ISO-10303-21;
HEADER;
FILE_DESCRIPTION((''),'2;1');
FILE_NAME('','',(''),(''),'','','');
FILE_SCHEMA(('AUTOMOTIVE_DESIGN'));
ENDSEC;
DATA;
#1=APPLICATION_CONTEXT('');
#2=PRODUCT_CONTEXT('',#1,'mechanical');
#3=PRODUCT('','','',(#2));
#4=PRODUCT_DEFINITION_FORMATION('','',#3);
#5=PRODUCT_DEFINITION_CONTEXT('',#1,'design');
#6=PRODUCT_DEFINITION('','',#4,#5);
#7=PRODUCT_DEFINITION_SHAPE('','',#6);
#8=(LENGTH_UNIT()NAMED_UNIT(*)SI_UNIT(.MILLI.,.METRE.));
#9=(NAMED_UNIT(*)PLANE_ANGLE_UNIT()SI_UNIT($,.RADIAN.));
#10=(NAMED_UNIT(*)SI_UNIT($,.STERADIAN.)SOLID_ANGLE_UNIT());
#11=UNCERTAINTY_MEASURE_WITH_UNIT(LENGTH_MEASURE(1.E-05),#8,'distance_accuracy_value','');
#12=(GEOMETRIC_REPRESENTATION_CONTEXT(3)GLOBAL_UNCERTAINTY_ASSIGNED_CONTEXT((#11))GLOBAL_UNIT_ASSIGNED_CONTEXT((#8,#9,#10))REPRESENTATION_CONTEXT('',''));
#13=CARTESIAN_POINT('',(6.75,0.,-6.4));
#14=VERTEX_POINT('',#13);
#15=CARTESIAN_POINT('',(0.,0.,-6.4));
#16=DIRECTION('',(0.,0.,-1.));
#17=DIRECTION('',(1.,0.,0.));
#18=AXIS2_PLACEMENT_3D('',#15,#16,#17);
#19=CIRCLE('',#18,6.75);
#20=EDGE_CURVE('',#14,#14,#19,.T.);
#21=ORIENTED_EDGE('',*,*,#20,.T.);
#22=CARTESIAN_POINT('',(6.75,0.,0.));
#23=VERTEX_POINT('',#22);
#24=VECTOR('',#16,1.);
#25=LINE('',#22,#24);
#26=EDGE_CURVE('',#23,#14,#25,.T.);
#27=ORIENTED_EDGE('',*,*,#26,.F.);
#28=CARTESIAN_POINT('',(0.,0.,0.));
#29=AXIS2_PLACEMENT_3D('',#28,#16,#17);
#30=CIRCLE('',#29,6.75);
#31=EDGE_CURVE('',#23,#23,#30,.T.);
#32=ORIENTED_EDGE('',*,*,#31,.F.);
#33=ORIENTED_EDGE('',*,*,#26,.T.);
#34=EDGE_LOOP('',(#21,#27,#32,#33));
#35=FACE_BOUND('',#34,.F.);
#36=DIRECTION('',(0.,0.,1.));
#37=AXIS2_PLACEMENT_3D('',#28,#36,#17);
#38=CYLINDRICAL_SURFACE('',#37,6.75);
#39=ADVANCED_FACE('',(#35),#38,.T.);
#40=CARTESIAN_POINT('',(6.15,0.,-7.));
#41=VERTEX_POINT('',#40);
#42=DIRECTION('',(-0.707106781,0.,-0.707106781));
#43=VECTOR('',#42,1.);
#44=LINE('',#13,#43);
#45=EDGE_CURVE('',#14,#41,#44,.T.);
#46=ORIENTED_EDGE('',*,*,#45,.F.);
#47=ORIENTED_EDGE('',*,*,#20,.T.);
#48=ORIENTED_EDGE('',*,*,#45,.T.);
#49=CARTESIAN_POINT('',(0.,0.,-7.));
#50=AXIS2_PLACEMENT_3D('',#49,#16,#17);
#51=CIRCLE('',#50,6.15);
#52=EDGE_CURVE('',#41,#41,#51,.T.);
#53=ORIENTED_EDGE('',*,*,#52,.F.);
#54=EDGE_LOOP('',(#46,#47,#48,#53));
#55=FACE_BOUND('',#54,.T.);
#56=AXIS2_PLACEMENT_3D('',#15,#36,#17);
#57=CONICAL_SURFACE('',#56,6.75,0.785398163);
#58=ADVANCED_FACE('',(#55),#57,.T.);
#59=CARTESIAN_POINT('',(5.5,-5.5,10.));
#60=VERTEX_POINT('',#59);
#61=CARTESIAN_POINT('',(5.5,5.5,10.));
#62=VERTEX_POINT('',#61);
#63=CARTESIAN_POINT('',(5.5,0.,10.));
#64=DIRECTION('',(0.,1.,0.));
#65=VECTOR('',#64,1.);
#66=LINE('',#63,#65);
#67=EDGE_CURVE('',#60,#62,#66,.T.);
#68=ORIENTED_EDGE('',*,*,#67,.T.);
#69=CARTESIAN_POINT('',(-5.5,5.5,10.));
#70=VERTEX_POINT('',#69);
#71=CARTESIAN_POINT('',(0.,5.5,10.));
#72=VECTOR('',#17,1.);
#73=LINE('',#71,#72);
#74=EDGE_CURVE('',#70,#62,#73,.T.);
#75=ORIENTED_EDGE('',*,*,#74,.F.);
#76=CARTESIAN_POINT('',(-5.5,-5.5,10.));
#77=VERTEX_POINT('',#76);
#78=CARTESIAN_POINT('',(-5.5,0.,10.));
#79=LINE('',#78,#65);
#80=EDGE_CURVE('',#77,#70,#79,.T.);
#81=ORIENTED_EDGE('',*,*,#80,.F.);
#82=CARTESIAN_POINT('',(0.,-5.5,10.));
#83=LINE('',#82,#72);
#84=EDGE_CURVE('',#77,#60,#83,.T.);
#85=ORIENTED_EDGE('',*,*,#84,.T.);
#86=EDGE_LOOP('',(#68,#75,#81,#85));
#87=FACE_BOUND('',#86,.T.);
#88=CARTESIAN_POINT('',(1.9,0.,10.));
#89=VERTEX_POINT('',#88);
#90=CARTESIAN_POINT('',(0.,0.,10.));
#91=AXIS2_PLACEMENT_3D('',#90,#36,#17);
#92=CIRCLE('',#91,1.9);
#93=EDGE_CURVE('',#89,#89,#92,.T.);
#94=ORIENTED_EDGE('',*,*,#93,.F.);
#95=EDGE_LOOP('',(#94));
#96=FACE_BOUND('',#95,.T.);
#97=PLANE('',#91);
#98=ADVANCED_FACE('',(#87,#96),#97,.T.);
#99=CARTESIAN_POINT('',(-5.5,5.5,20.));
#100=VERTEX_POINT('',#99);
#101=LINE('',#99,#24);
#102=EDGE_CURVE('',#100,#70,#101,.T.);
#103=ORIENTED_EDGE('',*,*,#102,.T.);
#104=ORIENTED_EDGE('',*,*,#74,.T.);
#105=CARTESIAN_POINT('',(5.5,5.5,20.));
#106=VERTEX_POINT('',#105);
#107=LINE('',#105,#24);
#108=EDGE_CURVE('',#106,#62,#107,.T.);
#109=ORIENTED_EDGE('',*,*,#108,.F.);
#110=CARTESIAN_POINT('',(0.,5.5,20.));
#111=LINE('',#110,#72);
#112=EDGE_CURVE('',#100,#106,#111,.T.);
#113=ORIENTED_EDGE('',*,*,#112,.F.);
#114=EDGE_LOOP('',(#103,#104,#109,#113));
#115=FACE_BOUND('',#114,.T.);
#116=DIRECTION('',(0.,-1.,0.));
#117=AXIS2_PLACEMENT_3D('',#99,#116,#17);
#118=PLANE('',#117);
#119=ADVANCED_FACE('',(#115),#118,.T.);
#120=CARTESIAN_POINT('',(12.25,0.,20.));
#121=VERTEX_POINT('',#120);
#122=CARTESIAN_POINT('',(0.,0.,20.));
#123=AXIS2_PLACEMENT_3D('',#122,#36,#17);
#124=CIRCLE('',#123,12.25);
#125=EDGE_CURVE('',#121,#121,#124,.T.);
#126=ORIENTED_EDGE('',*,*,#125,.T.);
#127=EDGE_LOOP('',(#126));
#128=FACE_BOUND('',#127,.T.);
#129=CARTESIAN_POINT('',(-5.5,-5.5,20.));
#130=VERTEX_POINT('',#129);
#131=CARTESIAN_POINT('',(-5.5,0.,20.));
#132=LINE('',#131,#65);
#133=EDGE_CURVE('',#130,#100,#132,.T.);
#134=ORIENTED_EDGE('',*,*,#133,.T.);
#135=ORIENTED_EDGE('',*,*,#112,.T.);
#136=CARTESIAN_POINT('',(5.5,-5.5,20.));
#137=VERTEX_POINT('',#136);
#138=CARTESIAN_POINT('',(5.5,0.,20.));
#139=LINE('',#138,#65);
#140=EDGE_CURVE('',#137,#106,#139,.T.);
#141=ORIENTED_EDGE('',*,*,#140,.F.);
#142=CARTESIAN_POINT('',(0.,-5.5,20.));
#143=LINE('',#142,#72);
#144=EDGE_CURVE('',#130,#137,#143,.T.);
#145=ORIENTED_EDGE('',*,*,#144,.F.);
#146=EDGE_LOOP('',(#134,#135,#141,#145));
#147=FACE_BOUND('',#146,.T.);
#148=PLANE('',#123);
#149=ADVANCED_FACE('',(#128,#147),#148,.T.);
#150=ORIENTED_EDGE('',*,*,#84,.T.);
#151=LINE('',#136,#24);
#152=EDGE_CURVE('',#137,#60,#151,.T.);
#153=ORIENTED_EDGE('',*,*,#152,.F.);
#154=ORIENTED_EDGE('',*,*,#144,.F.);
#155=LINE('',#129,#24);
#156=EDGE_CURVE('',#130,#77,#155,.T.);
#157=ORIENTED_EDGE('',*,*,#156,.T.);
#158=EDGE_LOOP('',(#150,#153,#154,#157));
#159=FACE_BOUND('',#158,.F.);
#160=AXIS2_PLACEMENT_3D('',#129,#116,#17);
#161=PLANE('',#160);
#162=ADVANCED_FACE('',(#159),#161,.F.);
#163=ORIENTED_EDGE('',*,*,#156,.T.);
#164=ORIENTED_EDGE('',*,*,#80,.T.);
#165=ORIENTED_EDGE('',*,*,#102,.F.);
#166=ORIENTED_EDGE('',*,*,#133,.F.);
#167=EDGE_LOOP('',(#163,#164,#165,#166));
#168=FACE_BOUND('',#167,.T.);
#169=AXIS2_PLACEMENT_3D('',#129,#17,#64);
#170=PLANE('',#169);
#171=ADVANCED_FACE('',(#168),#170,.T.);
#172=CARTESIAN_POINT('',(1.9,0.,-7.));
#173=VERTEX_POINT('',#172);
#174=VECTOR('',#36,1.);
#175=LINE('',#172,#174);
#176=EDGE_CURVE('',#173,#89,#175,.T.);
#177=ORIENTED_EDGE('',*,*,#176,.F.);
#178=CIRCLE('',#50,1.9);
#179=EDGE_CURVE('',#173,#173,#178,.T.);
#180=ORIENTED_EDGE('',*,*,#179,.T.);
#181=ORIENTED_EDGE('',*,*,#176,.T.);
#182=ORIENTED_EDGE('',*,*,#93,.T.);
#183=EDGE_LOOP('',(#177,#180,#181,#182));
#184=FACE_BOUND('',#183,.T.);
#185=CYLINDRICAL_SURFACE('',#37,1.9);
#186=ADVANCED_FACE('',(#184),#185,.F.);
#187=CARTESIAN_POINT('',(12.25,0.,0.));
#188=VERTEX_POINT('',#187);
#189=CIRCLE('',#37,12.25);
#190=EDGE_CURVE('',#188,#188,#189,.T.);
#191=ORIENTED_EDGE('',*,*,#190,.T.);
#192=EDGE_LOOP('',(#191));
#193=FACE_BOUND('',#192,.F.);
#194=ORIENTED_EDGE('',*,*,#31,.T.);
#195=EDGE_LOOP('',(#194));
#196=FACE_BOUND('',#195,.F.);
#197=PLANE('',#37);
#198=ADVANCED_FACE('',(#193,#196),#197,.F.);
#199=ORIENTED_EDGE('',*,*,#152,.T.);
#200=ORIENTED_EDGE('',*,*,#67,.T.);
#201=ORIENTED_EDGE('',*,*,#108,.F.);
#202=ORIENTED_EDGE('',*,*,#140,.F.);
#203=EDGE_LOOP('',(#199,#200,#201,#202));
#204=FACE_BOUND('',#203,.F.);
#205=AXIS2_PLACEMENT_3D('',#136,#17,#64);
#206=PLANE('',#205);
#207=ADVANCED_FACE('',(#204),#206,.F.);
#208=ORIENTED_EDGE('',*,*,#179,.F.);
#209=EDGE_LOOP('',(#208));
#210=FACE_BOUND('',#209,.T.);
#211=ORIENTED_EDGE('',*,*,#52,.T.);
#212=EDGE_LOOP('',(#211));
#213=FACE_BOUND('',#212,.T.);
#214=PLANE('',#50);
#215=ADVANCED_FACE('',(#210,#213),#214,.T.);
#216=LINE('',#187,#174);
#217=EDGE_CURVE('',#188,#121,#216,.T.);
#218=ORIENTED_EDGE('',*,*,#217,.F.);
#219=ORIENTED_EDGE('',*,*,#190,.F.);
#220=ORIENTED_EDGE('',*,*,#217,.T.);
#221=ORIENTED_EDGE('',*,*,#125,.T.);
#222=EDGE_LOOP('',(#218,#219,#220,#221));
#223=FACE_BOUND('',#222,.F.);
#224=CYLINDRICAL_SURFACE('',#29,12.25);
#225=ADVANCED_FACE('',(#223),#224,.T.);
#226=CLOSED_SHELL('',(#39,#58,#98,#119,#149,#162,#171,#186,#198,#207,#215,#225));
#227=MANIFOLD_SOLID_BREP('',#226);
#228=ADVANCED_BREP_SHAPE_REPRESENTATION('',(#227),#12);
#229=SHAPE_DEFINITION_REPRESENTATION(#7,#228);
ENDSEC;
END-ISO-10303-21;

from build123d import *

# Parameters (mm, degrees)
F0_R     = 12.25
F1_DEPTH = 20
F2_W     = 11
F2_H     = 11
F3_DEPTH = 10
F4_R     = 1.9
F5_DEPTH = 40
F6_R     = 6.75
F6_R_2   = 1.9
F7_DEPTH = 7
F8_SIZE  = 0.6


with BuildPart() as f1:
    # F0 (on Top) → F1 (new body)
    with BuildSketch(Plane.XY):
        Circle(F0_R)
    extrude(amount=F1_DEPTH)

    # F2 (on face) → F3 (cut)
    with BuildSketch(Plane.XY.offset(20)):
        Rectangle(F2_W, F2_H)
    extrude(amount=-F3_DEPTH, mode=Mode.SUBTRACT)

    # F4 (on face) → F5 (cut)
    with BuildSketch(Plane.XY.offset(10)):
        Circle(F4_R)
    extrude(amount=-F5_DEPTH, mode=Mode.SUBTRACT)

    # F6 (on face) → F7 (join)
    with BuildSketch(Plane(origin=(0, 0, 0), x_dir=(1, 0, 0), z_dir=(0, 0, -1))):
        Circle(F6_R)
        Circle(F6_R_2, mode=Mode.SUBTRACT)
    extrude(amount=F7_DEPTH)

    # F8
    f8_edges = [f1.edges().sort_by_distance(p)[0] for p in [
        (-6.75, 0, -7),
    ]]
    chamfer(f8_edges, length=F8_SIZE)


solid = f1.part
